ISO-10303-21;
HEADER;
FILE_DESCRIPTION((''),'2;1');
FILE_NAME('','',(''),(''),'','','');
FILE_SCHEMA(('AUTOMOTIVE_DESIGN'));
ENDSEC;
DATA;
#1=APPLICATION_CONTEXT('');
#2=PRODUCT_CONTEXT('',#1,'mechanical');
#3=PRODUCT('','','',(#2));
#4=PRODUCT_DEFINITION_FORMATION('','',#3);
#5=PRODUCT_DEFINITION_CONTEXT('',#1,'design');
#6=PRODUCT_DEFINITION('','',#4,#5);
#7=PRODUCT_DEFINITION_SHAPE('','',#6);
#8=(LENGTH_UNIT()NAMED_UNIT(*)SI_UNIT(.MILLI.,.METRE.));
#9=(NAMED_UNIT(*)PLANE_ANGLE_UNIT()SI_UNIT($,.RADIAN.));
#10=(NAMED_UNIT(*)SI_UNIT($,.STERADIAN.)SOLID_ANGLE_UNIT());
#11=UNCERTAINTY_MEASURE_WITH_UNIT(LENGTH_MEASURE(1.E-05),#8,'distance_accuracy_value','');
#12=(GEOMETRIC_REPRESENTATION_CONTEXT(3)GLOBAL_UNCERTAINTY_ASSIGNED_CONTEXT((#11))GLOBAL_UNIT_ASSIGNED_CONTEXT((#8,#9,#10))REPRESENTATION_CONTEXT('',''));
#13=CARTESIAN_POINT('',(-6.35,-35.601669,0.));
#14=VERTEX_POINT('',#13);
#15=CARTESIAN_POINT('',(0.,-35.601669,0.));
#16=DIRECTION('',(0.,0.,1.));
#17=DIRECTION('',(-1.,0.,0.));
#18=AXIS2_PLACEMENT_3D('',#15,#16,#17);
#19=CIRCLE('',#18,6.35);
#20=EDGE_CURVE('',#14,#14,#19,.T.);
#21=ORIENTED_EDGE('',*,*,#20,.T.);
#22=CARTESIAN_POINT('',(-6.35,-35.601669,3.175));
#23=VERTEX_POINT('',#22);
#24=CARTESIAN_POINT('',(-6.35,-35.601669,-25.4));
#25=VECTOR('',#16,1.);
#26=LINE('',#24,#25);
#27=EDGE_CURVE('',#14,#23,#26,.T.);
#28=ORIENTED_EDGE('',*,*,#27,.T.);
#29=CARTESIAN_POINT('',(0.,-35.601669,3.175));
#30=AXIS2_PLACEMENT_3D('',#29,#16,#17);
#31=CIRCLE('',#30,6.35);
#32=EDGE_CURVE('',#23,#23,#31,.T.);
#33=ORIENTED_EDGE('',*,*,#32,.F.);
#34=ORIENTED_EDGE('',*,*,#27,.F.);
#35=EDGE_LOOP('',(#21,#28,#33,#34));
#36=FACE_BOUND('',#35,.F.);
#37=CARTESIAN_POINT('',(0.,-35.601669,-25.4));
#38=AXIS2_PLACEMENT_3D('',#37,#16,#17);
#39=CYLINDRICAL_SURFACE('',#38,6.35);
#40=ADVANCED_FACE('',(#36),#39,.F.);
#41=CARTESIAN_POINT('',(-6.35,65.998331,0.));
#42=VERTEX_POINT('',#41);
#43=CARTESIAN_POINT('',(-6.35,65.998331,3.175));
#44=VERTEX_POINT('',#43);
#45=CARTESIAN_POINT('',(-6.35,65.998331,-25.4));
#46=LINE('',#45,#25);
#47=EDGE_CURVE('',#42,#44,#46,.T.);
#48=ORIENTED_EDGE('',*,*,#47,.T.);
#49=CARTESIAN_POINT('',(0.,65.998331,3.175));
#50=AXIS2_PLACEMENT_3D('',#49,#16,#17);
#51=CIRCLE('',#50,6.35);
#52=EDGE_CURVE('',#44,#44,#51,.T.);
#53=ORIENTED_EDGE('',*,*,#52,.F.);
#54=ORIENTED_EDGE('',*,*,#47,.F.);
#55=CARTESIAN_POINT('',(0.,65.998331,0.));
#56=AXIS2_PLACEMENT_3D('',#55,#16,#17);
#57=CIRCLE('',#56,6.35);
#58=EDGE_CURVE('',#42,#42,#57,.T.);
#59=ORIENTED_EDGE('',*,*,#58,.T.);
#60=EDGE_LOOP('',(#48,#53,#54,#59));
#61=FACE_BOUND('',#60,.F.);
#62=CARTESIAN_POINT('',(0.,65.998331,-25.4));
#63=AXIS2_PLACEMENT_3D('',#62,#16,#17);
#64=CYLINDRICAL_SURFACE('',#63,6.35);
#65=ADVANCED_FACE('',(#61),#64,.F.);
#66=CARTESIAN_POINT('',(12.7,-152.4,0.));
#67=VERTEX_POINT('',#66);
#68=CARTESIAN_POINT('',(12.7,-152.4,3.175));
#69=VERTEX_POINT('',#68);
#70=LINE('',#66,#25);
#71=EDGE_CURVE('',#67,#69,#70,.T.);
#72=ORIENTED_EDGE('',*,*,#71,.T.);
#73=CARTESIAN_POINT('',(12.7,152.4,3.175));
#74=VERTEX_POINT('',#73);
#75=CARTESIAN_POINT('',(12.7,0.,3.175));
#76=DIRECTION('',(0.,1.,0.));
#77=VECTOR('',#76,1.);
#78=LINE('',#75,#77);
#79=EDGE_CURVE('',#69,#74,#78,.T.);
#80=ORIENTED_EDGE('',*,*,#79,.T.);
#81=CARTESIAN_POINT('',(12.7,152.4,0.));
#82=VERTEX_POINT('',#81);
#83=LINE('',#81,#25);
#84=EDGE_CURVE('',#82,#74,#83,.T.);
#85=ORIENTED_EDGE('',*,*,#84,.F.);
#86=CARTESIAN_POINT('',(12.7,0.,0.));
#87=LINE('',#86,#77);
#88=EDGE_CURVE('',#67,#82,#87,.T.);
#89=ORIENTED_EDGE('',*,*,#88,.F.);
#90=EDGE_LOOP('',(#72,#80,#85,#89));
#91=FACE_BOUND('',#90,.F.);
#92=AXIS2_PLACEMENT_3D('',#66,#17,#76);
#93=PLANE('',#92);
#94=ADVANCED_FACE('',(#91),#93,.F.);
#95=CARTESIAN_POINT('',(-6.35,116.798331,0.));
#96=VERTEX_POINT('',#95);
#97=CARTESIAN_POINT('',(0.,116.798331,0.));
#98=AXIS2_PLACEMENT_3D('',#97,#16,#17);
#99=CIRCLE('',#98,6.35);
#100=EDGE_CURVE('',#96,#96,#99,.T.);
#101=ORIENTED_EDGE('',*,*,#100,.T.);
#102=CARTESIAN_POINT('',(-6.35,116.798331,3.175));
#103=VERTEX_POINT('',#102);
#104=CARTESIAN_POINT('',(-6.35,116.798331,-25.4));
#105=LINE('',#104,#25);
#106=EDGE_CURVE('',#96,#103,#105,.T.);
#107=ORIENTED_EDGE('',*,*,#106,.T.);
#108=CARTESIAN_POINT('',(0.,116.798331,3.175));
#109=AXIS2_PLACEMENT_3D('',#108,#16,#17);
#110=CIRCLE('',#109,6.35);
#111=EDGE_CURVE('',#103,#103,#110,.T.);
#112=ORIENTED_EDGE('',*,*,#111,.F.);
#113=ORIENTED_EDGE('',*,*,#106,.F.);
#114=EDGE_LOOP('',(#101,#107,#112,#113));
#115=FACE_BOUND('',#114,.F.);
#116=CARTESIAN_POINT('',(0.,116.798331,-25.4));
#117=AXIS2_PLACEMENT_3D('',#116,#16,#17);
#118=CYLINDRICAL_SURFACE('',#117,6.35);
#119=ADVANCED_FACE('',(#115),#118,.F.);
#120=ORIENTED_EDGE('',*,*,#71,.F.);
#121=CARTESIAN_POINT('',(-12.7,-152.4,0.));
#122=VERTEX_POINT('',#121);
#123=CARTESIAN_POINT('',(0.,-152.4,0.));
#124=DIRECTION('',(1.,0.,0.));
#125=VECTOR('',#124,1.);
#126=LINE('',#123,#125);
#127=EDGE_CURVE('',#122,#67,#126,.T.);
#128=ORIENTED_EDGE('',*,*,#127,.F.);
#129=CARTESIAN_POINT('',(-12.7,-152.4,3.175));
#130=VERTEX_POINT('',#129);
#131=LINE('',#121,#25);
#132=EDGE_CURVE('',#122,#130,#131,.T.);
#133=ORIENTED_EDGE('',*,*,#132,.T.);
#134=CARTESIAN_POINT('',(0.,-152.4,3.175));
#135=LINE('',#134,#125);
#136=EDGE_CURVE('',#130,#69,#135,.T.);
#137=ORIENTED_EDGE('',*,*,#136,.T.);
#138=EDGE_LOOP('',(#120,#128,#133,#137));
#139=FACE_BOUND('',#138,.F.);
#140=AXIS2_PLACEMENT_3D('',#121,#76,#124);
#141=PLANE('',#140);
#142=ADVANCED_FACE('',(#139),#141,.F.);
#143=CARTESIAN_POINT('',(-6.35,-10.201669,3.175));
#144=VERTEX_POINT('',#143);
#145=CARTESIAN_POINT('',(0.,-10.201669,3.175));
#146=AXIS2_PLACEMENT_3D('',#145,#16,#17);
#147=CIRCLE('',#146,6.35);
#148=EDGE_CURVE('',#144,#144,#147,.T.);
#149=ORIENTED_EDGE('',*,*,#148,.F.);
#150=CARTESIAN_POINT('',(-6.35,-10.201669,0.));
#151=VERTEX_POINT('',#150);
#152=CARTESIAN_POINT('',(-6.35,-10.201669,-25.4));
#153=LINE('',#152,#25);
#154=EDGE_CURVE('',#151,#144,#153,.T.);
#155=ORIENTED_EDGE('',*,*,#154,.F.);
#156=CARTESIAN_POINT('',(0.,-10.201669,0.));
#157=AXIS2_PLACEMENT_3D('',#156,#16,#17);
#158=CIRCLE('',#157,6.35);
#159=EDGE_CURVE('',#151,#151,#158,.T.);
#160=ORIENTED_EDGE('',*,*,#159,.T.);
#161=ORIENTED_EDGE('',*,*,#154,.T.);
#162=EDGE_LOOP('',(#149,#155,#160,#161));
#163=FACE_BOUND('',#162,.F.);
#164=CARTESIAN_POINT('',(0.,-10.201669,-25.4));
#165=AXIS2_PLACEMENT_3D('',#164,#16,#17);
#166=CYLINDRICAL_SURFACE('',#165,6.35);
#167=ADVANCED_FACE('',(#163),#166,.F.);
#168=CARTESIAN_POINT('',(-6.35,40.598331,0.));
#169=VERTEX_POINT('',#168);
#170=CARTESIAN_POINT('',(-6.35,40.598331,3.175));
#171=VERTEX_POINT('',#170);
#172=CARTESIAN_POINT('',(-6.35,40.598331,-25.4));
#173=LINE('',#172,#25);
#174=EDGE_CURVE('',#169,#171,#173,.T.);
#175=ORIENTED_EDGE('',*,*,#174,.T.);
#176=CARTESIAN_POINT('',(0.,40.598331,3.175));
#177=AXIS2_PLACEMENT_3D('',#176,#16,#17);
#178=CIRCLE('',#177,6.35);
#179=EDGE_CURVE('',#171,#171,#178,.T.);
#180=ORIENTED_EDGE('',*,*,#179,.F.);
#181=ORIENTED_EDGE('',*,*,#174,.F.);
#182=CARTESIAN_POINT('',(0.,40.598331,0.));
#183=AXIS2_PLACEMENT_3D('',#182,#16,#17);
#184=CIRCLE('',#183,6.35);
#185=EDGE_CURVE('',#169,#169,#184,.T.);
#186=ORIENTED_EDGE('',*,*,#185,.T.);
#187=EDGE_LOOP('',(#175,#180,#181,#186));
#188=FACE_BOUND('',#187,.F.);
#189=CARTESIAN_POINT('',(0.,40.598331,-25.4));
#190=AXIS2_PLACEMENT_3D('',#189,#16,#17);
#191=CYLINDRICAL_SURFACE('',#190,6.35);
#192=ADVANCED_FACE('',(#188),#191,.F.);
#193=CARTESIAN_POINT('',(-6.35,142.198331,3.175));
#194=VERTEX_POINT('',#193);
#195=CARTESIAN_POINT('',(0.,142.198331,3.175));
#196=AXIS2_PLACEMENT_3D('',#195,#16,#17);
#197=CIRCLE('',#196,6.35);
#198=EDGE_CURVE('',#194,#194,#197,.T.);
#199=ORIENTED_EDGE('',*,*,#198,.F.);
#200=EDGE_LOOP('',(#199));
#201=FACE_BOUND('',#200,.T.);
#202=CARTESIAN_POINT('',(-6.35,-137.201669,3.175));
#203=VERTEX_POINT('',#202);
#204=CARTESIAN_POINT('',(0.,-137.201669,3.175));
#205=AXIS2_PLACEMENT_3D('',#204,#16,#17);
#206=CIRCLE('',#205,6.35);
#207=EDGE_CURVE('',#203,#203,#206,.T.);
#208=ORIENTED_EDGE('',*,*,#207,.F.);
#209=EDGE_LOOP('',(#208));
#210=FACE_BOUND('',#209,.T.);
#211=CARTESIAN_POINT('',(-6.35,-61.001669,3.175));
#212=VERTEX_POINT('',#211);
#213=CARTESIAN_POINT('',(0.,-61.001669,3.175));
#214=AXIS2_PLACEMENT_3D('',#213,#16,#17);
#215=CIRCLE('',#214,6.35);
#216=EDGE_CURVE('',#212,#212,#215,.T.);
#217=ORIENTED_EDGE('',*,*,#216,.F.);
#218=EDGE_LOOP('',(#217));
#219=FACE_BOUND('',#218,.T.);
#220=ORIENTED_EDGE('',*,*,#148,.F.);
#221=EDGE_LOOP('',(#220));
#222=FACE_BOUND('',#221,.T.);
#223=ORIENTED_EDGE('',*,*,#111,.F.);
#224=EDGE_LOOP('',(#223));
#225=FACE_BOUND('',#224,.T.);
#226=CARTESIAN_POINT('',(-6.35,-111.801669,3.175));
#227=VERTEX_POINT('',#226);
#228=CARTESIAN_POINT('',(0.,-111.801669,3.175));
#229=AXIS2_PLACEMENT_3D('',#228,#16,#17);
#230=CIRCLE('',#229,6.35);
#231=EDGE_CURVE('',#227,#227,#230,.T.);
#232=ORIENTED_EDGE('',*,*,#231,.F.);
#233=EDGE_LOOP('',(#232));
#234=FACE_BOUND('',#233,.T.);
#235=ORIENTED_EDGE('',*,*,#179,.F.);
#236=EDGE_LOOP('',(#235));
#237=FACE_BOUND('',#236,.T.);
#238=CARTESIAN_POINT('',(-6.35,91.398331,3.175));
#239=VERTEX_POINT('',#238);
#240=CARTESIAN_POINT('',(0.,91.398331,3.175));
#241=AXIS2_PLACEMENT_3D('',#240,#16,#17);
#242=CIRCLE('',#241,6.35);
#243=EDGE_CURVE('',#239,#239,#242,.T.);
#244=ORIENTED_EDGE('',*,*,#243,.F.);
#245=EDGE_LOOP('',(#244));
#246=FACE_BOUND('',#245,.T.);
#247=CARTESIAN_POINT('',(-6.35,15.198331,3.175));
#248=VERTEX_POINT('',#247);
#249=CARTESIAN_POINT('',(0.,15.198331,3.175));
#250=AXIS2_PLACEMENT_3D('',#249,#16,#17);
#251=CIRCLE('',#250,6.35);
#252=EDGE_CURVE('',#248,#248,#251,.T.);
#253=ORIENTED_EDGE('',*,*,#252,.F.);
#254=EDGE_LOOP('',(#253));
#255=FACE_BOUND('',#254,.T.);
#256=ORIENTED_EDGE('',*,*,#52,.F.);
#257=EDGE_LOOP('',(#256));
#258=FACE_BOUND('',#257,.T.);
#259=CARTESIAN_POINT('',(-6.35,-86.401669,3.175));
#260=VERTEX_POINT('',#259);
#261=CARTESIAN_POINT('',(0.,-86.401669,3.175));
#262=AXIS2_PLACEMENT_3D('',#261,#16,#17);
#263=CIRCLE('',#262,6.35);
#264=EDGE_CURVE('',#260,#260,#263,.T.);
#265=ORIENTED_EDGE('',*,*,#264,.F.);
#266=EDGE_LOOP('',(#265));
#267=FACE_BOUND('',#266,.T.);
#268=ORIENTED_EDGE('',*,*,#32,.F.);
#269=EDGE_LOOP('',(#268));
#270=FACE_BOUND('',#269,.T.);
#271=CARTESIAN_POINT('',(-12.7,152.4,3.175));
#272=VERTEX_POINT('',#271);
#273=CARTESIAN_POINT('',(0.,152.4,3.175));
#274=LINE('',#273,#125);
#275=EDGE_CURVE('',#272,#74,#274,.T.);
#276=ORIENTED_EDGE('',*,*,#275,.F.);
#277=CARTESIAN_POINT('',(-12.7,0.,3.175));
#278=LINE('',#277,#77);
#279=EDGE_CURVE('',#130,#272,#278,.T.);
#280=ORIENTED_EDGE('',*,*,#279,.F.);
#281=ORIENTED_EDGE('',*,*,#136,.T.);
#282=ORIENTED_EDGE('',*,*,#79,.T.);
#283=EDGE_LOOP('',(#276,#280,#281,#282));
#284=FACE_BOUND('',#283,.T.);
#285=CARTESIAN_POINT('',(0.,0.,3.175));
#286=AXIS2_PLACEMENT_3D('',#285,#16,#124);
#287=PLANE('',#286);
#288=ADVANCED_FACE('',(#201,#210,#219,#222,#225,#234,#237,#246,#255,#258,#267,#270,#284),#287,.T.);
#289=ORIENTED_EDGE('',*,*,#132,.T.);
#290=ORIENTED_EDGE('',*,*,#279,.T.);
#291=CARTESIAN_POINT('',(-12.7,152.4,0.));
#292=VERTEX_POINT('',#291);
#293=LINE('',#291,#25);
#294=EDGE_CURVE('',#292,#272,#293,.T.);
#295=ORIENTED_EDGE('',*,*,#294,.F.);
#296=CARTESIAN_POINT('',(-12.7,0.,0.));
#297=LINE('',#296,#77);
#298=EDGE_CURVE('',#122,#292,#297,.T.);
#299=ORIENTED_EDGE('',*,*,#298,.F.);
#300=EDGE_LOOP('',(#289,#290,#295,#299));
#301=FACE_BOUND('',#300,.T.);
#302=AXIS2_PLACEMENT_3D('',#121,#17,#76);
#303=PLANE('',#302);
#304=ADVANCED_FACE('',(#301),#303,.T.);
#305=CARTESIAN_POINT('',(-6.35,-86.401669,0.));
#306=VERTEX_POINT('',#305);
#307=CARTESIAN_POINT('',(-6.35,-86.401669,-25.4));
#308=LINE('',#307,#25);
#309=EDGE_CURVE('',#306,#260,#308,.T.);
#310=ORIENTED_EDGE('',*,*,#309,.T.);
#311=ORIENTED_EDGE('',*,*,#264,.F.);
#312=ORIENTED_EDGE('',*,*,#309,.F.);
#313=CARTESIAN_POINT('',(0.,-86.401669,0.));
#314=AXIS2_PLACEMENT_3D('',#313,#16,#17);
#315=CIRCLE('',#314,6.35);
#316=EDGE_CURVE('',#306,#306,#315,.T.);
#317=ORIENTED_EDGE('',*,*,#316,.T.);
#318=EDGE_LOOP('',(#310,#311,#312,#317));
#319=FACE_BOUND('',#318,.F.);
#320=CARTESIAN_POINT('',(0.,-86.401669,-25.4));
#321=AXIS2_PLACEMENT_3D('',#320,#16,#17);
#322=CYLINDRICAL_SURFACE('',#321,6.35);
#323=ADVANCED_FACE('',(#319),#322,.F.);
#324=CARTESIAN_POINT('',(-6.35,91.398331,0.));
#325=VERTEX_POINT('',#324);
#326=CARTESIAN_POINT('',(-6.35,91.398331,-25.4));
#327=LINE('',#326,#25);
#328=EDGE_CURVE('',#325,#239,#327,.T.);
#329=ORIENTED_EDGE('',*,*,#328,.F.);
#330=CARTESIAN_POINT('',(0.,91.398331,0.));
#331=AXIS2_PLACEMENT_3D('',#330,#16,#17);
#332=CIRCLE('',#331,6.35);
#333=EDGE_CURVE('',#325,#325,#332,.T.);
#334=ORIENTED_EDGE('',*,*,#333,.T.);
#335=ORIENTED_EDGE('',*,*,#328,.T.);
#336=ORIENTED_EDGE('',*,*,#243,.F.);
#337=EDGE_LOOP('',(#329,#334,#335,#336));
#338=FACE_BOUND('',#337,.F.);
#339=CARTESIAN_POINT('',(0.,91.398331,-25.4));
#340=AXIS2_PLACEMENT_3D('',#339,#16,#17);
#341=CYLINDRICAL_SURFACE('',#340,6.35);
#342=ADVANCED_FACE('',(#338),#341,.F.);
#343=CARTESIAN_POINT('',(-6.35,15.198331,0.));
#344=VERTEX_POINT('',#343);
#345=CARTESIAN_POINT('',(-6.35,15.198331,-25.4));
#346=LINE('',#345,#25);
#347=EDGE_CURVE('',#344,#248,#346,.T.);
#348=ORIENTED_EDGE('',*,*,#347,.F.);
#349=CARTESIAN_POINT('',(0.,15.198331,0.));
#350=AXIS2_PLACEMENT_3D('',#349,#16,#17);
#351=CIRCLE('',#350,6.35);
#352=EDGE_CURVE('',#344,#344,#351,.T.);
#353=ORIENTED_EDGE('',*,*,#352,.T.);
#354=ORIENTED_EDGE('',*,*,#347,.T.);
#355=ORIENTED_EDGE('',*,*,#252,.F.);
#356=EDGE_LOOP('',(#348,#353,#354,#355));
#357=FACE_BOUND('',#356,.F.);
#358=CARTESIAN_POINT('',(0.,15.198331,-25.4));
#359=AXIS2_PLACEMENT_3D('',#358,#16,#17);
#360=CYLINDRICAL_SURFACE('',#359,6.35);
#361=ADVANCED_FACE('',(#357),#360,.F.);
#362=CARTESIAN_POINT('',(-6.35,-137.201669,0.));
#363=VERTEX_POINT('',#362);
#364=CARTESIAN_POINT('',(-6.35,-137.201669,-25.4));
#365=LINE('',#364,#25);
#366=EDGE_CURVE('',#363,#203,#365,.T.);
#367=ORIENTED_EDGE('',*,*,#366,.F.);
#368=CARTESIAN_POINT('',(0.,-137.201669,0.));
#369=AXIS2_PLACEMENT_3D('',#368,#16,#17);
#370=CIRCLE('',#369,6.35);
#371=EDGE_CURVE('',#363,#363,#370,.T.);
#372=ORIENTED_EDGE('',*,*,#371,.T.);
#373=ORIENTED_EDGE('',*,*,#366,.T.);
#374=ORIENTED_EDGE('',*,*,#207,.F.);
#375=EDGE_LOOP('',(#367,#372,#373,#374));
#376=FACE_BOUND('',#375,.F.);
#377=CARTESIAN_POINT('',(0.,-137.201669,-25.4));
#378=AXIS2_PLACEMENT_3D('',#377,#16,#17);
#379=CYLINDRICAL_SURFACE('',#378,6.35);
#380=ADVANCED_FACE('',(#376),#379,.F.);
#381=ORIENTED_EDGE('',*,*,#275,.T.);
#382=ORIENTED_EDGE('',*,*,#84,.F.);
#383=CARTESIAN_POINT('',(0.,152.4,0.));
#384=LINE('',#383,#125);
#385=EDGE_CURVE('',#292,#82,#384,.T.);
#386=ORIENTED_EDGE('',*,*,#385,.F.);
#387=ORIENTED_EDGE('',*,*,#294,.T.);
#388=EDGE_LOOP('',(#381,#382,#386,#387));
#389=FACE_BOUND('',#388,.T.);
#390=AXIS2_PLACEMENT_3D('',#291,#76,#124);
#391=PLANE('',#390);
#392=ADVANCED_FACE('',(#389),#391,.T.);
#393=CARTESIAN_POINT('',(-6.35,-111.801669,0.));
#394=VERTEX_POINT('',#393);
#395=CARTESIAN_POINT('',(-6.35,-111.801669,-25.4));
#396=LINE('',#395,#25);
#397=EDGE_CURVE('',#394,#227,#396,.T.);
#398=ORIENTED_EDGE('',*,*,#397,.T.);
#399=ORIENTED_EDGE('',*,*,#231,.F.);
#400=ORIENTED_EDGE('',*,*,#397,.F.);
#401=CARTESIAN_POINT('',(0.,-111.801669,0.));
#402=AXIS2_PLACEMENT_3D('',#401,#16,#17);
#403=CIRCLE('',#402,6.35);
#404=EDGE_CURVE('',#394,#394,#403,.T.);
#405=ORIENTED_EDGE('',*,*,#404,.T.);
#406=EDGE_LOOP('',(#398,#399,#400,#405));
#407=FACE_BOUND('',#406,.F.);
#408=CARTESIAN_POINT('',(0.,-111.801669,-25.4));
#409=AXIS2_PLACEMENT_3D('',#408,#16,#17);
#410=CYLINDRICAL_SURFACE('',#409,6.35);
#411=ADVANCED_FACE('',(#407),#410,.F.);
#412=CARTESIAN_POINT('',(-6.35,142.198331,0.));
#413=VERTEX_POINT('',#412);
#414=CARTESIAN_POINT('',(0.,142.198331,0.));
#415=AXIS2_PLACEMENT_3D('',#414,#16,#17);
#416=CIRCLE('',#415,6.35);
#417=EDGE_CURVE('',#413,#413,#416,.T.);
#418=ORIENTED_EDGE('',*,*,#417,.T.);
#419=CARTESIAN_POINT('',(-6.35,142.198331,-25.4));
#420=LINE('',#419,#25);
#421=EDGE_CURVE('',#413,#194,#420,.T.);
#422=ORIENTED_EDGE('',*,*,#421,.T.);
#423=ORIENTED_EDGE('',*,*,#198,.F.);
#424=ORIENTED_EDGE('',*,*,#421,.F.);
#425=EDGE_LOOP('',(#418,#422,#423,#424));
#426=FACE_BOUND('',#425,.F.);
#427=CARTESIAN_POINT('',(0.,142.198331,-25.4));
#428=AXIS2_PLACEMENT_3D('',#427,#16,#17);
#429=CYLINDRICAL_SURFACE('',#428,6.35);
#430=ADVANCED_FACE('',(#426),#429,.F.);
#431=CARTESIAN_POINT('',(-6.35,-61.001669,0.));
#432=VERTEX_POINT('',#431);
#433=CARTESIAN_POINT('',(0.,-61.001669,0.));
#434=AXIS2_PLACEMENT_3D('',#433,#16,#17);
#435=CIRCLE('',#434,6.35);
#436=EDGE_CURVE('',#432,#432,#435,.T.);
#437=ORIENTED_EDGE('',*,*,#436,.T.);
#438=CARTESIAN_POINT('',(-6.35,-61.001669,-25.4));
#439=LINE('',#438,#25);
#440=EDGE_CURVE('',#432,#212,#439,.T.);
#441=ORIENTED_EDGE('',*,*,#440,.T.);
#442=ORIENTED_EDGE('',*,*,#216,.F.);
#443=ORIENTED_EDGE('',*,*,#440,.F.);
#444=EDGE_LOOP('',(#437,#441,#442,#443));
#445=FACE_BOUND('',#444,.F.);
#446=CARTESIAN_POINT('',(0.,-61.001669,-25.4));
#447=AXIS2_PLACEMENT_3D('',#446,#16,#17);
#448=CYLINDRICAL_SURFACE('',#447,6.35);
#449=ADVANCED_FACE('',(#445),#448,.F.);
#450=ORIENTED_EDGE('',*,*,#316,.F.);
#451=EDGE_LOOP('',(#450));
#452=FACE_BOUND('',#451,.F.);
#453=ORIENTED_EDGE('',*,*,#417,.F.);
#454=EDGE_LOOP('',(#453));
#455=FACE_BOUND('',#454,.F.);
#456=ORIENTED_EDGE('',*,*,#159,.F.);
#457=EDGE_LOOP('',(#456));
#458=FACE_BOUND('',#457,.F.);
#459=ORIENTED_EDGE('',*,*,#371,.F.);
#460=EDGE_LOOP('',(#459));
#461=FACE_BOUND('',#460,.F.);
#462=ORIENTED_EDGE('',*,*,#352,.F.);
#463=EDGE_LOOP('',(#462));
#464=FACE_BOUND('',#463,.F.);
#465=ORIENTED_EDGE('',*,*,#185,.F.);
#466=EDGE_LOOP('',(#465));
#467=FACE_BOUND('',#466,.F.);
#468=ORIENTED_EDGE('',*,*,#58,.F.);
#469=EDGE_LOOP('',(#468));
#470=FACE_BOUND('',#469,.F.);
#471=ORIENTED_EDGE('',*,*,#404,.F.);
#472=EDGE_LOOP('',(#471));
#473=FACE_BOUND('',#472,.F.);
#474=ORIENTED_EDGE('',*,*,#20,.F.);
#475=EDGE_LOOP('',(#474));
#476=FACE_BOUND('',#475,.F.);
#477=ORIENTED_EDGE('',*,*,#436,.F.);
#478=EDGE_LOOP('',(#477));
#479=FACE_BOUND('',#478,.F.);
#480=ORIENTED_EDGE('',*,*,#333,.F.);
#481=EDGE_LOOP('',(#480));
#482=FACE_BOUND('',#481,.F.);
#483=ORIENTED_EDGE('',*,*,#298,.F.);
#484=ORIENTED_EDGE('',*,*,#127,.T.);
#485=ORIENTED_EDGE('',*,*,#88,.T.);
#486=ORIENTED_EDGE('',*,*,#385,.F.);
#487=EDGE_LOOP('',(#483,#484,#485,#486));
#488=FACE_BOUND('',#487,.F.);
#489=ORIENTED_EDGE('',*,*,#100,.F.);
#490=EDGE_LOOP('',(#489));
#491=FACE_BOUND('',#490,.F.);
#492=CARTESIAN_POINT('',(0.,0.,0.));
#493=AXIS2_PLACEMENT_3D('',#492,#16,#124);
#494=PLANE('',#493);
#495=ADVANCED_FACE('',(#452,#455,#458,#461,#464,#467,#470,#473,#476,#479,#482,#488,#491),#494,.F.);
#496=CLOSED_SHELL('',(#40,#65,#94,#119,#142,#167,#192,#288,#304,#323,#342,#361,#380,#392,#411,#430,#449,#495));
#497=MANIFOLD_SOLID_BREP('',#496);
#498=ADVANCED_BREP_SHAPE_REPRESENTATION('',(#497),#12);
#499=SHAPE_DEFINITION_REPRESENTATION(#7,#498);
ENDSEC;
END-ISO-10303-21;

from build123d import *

# Parameters (mm, degrees)
F0_W     = 25.4
F0_H     = 304.8
F1_DEPTH = 3.175
F3_D     = 12.7
F3_DEPTH = 25.4
F3_TIP   = 3.8154649308
F4_D     = 12.7
F4_DEPTH = 25.4
F4_TIP   = 3.8154649308
F5_D     = 12.7
F5_DEPTH = 25.4
F5_TIP   = 3.8154649308
F6_D     = 12.7
F6_DEPTH = 25.4
F6_TIP   = 3.8154649308
F7_D     = 12.7
F7_DEPTH = 25.4
F7_TIP   = 3.8154649308


with BuildPart() as f1:
    # F0 (on Top) → F1 (new body)
    with BuildSketch(Plane.XY):
        Rectangle(F0_W, F0_H)
    extrude(amount=F1_DEPTH)

    # F3
    with Locations(Plane(origin=(0, 0, 0), x_dir=(1, 0, 0), z_dir=(0, 0, -1))):
        with Locations((0, 137.2016693357)):
            Hole(F3_D / 2, depth=F3_DEPTH)
            with Locations((0, 0, -(F3_DEPTH + F3_TIP / 2))):  # 118° drill point
                Cone(0, F3_D / 2, F3_TIP, mode=Mode.SUBTRACT)

    # F4
    with Locations(Plane(origin=(0, 0, 0), x_dir=(1, 0, 0), z_dir=(0, 0, -1))):
        with Locations((0, 111.8016693357)):
            Hole(F4_D / 2, depth=F4_DEPTH)
            with Locations((0, 0, -(F4_DEPTH + F4_TIP / 2))):  # 118° drill point
                Cone(0, F4_D / 2, F4_TIP, mode=Mode.SUBTRACT)

    # F5
    with Locations(Plane(origin=(0, 0, 0), x_dir=(1, 0, 0), z_dir=(0, 0, -1))):
        with Locations((0, 86.4016693357)):
            Hole(F5_D / 2, depth=F5_DEPTH)
            with Locations((0, 0, -(F5_DEPTH + F5_TIP / 2))):  # 118° drill point
                Cone(0, F5_D / 2, F5_TIP, mode=Mode.SUBTRACT)

    # F6
    with Locations(Plane(origin=(0, 0, 0), x_dir=(1, 0, 0), z_dir=(0, 0, -1))):
        with Locations((0, 61.0016693357)):
            Hole(F6_D / 2, depth=F6_DEPTH)
            with Locations((0, 0, -(F6_DEPTH + F6_TIP / 2))):  # 118° drill point
                Cone(0, F6_D / 2, F6_TIP, mode=Mode.SUBTRACT)

    # F7
    with Locations(Plane(origin=(0, 0, 0), x_dir=(1, 0, 0), z_dir=(0, 0, -1))):
        with Locations((0, 35.6016693357), (0, 10.2016693357), (0, -15.1983306643), (0, -40.5983306643), (0, -65.9983306643), (0, -91.3983306643), (0, -116.7983306643), (0, -142.1983306643)):
            Hole(F7_D / 2, depth=F7_DEPTH)
            with Locations((0, 0, -(F7_DEPTH + F7_TIP / 2))):  # 118° drill point
                Cone(0, F7_D / 2, F7_TIP, mode=Mode.SUBTRACT)


solid = f1.part
